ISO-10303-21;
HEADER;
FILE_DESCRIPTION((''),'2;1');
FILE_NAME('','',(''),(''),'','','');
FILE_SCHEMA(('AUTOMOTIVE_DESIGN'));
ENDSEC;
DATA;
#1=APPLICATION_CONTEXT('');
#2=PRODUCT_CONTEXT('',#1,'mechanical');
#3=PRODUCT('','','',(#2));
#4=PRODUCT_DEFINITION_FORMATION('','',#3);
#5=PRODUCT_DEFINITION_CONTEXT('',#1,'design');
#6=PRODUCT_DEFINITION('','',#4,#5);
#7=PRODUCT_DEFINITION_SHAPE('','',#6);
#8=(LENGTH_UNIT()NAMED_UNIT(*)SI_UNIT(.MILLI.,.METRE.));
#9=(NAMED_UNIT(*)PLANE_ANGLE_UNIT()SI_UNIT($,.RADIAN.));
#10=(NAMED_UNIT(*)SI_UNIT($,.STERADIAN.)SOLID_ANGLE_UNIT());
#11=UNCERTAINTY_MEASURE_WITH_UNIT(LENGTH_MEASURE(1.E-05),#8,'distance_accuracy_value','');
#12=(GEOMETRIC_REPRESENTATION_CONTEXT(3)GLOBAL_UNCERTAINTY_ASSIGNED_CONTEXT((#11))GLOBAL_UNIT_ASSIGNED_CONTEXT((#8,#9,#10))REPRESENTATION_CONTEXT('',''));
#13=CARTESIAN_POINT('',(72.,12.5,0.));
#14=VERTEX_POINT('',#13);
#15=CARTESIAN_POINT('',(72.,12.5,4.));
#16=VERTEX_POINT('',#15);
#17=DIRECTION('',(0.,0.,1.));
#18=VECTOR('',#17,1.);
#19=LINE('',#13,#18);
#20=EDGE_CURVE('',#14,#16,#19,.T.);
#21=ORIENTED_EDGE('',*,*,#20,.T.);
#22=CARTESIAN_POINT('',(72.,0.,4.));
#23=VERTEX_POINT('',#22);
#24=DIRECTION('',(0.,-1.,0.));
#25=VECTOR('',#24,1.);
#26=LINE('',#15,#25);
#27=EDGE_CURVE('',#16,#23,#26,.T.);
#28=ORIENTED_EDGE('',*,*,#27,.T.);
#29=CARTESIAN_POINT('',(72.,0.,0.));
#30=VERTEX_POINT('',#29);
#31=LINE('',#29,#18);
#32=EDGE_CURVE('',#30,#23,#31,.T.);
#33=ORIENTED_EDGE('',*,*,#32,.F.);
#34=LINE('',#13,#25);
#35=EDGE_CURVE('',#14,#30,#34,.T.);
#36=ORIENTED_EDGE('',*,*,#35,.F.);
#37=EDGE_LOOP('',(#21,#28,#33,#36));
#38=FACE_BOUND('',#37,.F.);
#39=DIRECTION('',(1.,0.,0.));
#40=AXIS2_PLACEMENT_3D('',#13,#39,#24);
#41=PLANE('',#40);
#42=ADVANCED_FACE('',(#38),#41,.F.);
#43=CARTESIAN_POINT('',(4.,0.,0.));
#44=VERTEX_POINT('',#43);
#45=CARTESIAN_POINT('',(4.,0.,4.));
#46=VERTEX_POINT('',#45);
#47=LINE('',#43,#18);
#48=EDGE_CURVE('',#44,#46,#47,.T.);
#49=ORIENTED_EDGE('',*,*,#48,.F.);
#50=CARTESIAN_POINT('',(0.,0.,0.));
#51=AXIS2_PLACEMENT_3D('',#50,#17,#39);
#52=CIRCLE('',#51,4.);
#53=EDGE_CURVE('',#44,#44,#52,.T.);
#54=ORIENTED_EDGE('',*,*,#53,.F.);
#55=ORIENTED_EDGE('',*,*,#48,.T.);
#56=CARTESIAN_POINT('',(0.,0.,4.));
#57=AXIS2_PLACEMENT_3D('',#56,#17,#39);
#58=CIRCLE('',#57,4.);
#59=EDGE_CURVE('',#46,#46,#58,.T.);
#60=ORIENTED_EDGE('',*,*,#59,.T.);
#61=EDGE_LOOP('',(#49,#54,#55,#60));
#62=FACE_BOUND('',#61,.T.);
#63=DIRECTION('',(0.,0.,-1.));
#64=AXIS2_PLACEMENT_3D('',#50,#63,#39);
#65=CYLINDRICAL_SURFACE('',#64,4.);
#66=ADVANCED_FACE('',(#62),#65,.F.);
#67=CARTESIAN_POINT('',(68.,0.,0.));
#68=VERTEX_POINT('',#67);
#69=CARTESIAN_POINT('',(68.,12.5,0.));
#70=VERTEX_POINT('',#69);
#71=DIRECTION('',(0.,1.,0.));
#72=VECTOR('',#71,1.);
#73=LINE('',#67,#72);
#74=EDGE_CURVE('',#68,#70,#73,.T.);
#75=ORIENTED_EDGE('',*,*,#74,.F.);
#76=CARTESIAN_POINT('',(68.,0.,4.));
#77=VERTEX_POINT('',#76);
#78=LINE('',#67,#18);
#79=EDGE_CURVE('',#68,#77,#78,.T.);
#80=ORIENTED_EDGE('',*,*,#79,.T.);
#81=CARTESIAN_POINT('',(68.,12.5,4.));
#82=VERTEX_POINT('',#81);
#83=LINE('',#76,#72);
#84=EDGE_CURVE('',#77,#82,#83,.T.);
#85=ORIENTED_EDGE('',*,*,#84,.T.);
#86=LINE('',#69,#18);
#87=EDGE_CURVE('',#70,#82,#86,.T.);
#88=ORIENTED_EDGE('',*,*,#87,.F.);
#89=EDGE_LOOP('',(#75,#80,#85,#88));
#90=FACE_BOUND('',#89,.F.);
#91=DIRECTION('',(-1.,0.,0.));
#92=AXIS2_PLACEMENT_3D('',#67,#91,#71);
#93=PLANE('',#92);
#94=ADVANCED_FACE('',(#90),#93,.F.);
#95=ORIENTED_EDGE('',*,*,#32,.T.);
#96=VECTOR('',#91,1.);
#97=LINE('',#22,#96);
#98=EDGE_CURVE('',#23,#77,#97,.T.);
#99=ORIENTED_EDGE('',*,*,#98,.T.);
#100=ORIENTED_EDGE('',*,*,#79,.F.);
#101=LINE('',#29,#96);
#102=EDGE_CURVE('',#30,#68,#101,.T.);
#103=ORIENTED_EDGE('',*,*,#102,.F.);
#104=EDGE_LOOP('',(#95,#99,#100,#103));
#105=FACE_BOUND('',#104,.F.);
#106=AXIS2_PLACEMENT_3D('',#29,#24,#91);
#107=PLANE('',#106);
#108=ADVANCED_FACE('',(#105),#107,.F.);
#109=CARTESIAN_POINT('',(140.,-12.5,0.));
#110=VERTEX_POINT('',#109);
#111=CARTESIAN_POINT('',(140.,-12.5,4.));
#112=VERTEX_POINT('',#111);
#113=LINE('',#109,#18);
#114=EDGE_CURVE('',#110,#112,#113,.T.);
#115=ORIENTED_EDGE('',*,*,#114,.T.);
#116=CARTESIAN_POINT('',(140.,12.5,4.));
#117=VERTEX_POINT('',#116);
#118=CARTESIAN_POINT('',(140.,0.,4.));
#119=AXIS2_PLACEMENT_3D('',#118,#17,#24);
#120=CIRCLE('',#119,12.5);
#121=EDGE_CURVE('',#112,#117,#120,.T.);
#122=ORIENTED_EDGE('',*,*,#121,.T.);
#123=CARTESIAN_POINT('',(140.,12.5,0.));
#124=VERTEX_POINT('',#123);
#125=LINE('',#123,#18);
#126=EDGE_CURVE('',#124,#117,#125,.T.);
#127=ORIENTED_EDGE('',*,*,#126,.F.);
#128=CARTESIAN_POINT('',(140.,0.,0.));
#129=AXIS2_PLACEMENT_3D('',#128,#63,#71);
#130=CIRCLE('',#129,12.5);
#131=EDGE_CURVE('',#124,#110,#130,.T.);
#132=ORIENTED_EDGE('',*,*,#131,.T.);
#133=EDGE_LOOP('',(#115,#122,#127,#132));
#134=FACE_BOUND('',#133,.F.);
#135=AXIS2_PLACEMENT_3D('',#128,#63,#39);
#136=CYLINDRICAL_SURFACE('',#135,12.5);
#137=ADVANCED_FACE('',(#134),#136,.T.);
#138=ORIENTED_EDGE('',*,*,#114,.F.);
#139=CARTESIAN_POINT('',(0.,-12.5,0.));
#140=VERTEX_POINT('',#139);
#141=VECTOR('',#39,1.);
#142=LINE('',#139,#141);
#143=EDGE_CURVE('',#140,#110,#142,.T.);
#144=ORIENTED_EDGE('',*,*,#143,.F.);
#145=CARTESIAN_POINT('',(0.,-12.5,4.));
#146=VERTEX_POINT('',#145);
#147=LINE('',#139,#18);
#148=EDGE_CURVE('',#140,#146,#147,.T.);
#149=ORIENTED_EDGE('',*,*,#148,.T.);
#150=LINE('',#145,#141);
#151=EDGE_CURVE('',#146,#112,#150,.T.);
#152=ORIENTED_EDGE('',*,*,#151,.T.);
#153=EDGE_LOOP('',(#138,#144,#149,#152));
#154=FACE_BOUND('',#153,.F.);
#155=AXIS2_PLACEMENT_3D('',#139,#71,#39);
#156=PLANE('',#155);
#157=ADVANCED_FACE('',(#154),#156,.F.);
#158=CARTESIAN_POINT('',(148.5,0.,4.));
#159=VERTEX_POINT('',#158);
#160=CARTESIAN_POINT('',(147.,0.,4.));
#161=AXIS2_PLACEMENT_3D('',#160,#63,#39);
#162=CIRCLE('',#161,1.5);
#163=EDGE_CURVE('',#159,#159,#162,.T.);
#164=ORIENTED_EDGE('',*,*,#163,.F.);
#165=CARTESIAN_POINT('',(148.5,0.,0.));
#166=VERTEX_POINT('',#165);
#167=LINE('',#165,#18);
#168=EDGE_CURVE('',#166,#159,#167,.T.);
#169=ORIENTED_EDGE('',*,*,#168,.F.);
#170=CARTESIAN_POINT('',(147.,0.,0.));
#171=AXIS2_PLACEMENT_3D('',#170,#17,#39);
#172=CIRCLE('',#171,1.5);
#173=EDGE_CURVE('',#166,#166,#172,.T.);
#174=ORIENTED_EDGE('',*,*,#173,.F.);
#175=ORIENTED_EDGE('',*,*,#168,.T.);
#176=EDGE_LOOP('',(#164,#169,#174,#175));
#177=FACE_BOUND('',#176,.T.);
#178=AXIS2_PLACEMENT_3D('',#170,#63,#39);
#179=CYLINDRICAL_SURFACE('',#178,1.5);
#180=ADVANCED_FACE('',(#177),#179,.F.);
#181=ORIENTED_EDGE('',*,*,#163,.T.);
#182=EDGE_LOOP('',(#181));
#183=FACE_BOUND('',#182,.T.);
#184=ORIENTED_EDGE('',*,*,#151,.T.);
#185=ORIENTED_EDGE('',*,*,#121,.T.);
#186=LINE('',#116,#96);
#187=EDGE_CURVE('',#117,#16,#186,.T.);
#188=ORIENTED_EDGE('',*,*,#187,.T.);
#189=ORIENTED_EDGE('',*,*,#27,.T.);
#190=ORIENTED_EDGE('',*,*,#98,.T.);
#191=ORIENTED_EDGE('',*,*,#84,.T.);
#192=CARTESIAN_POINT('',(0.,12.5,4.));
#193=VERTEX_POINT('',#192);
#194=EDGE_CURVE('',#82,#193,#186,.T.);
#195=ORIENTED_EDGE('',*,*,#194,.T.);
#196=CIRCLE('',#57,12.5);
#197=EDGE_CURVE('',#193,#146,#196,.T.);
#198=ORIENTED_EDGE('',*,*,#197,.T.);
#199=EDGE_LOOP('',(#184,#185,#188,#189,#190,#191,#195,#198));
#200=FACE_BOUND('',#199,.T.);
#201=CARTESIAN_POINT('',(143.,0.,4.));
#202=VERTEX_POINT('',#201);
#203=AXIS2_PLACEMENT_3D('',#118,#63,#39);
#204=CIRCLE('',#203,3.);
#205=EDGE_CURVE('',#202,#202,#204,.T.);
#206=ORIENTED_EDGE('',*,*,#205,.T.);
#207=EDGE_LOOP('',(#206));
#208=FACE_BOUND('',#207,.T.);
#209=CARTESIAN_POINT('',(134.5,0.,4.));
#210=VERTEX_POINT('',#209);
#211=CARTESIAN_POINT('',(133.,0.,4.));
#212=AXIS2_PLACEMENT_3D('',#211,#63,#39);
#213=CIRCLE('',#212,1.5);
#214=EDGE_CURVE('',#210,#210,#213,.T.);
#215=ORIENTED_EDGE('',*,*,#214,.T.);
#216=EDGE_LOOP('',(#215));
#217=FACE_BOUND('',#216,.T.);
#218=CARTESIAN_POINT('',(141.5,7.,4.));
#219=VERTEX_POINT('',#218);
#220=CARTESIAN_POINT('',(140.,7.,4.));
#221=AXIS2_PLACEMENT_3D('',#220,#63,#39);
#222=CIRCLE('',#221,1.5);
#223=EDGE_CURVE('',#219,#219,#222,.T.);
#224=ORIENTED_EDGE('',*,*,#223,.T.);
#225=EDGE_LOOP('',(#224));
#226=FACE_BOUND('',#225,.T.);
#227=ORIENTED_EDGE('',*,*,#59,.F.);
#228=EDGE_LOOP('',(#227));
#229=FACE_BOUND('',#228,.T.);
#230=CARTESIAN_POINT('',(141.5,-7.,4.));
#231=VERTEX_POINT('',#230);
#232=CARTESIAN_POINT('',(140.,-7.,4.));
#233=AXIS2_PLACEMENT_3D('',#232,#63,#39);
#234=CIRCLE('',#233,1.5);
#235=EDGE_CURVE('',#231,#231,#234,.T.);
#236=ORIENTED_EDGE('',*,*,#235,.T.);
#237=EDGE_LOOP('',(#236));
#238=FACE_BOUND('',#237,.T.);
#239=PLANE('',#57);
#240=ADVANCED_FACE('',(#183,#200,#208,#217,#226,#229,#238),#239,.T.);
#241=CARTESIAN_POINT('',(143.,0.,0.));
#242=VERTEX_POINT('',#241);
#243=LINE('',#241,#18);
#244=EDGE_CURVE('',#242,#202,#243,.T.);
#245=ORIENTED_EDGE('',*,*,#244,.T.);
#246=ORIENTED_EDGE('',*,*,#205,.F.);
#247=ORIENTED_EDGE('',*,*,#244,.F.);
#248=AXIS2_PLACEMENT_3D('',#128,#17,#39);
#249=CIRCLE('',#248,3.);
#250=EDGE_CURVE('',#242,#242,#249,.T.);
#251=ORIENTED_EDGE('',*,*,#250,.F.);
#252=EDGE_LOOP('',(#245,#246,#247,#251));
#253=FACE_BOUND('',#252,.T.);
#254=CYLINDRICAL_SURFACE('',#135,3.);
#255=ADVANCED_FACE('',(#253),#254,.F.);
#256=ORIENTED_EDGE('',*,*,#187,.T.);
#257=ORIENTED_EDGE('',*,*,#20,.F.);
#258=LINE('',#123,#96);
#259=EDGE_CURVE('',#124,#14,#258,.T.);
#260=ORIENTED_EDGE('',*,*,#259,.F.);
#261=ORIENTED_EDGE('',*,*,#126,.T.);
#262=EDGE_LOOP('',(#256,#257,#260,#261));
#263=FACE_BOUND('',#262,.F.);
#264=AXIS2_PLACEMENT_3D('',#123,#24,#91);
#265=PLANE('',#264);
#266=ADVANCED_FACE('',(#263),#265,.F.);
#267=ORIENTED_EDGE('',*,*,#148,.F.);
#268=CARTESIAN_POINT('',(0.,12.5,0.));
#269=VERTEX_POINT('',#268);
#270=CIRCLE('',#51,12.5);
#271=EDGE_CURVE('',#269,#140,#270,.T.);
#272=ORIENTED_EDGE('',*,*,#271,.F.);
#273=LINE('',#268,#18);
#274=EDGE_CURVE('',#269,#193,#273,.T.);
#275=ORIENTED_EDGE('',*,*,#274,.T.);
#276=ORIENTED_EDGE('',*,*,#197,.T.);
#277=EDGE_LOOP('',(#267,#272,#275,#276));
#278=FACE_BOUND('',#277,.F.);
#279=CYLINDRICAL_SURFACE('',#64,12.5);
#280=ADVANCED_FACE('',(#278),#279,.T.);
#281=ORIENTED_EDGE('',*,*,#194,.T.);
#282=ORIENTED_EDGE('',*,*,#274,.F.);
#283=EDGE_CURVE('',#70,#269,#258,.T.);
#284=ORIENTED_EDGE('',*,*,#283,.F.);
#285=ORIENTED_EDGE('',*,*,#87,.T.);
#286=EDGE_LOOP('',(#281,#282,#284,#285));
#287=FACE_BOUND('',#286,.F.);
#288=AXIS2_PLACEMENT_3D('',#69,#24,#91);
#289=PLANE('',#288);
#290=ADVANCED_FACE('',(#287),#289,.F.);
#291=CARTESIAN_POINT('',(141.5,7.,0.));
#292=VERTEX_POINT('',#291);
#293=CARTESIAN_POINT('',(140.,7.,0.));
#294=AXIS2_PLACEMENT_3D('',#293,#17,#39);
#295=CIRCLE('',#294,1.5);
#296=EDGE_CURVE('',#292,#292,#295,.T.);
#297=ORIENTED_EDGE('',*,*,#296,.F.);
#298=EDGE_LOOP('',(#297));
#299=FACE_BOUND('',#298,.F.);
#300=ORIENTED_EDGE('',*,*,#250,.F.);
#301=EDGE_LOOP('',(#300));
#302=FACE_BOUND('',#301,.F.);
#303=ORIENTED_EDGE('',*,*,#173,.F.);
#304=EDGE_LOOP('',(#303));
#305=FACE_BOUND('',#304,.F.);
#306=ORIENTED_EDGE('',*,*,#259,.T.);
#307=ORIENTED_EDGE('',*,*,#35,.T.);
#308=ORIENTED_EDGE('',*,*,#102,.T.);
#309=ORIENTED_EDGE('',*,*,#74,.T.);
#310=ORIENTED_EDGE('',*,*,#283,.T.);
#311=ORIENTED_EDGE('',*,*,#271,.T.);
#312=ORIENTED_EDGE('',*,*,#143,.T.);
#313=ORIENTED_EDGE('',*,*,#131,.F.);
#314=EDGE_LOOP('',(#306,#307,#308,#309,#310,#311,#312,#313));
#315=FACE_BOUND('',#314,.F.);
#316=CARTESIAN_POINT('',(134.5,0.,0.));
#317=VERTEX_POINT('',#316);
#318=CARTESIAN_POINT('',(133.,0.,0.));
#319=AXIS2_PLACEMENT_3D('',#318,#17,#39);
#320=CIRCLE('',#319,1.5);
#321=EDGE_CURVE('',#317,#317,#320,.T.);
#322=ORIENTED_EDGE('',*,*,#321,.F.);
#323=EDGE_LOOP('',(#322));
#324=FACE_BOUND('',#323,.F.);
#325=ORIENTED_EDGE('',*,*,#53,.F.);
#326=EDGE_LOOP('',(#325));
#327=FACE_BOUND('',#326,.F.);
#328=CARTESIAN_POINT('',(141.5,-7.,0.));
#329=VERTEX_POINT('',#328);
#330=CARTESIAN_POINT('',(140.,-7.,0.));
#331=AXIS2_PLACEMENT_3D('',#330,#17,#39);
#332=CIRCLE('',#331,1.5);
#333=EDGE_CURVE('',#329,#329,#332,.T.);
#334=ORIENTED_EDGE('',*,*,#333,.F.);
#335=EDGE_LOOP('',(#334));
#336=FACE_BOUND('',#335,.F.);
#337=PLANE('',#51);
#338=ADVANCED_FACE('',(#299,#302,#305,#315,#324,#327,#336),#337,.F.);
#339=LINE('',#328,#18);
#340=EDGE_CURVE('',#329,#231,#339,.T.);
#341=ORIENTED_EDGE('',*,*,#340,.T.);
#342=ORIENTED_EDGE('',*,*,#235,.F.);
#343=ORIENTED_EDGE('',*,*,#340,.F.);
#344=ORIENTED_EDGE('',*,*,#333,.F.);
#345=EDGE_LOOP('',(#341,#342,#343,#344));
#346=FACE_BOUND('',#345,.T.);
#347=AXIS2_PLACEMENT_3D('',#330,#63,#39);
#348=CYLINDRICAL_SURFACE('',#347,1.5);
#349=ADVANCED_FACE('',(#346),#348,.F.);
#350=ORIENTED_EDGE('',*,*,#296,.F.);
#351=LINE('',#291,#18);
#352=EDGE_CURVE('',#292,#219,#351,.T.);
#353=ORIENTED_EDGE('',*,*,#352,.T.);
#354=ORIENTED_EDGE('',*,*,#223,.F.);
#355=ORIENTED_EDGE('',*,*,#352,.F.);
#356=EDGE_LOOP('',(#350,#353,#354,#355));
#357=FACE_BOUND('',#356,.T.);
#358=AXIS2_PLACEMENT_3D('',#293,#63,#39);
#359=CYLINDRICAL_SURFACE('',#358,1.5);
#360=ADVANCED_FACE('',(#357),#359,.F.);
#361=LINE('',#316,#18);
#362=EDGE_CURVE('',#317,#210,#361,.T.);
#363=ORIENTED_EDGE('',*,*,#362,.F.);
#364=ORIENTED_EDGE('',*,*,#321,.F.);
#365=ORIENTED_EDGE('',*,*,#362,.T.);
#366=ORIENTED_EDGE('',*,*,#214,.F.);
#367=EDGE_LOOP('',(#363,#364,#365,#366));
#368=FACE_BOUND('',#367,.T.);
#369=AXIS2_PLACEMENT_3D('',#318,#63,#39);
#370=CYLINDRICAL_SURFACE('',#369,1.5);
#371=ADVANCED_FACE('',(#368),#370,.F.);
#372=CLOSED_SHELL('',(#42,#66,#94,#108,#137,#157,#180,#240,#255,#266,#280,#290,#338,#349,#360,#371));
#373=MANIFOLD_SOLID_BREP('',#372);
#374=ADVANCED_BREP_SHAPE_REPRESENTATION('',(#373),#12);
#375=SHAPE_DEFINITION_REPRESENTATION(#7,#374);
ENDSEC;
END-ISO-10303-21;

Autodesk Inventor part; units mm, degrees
ref_plane "YZ Plane" through (0, 0, 0) normal (1, 0, 0) x (0, 1, 0)
ref_plane "XZ Plane" through (0, 0, 0) normal (0, 1, 0) x (-1, 0, 0)
ref_plane "XY Plane" through (0, 0, 0) normal (0, 0, 1) x (1, 0, 0)
sketch "Эскиз1" plane through (0, 0, 0) normal (0, 0, 1) x (1, 0, 0)
  circle A0 centre (0, 0) radius 12.5
  line L0 (0, -12.5) -> (140, -12.5)
  line L1 (140, -12.5) -> (140, 12.5)
  line L2 (140, 12.5) -> (0, 12.5)
  line L3 (0, 12.5) -> (0, -12.5)
  circle A1 centre (140, 0) radius 12.5
  circle A2 centre (0, 0) radius 7
  circle A3 centre (140, 0) radius 7
  circle A4 centre (0, 0) radius 4
  circle A5 centre (140, 0) radius 3
  circle A6 centre (147, 0) radius 1.5
  circle A7 centre (140, 7) radius 1.5
  circle A8 centre (140, -7) radius 1.5
  circle A9 centre (133, 0) radius 1.5
  line L4 (68, 12.5) -> (72, 12.5)
  line L5 (72, 12.5) -> (72, 0)
  line L6 (72, 0) -> (68, 0)
  line L7 (68, 0) -> (68, 12.5)
  point P0 (140, -12.5)
  point P1 (70, 12.5)
  point P2 (70, 12.5)
  point P3 (72, 12.5)
  dimension "d0" = 25
  dimension "d2" = 14
  dimension "d3" = 14
  dimension "d8" = 8
  dimension "d9" = 6
  dimension "d10" = 3
  dimension "d11" = 3
  dimension "d12" = 3
  dimension "d13" = 3
  dimension "d16" = 0
  dimension "d17" = 4
  dimension "d18" = 140
extrude "Выдавливание1" add sketch "Эскиз1" along normal blind 4 contours A0 L3 A2 | A0 L2 L7 L6 L5 A1 L0 | L3 A2 A0 | A2 L3 A4 | L3 A4 A2 | A1 L1 A7 A3 A9 A8 | L1 A8 A3 A6 A7 A1 | A3 A9 A7 L1 A5 A8 | L1 A5 A7 A3 A6 A8
properties material "Дерево (вишня)"
